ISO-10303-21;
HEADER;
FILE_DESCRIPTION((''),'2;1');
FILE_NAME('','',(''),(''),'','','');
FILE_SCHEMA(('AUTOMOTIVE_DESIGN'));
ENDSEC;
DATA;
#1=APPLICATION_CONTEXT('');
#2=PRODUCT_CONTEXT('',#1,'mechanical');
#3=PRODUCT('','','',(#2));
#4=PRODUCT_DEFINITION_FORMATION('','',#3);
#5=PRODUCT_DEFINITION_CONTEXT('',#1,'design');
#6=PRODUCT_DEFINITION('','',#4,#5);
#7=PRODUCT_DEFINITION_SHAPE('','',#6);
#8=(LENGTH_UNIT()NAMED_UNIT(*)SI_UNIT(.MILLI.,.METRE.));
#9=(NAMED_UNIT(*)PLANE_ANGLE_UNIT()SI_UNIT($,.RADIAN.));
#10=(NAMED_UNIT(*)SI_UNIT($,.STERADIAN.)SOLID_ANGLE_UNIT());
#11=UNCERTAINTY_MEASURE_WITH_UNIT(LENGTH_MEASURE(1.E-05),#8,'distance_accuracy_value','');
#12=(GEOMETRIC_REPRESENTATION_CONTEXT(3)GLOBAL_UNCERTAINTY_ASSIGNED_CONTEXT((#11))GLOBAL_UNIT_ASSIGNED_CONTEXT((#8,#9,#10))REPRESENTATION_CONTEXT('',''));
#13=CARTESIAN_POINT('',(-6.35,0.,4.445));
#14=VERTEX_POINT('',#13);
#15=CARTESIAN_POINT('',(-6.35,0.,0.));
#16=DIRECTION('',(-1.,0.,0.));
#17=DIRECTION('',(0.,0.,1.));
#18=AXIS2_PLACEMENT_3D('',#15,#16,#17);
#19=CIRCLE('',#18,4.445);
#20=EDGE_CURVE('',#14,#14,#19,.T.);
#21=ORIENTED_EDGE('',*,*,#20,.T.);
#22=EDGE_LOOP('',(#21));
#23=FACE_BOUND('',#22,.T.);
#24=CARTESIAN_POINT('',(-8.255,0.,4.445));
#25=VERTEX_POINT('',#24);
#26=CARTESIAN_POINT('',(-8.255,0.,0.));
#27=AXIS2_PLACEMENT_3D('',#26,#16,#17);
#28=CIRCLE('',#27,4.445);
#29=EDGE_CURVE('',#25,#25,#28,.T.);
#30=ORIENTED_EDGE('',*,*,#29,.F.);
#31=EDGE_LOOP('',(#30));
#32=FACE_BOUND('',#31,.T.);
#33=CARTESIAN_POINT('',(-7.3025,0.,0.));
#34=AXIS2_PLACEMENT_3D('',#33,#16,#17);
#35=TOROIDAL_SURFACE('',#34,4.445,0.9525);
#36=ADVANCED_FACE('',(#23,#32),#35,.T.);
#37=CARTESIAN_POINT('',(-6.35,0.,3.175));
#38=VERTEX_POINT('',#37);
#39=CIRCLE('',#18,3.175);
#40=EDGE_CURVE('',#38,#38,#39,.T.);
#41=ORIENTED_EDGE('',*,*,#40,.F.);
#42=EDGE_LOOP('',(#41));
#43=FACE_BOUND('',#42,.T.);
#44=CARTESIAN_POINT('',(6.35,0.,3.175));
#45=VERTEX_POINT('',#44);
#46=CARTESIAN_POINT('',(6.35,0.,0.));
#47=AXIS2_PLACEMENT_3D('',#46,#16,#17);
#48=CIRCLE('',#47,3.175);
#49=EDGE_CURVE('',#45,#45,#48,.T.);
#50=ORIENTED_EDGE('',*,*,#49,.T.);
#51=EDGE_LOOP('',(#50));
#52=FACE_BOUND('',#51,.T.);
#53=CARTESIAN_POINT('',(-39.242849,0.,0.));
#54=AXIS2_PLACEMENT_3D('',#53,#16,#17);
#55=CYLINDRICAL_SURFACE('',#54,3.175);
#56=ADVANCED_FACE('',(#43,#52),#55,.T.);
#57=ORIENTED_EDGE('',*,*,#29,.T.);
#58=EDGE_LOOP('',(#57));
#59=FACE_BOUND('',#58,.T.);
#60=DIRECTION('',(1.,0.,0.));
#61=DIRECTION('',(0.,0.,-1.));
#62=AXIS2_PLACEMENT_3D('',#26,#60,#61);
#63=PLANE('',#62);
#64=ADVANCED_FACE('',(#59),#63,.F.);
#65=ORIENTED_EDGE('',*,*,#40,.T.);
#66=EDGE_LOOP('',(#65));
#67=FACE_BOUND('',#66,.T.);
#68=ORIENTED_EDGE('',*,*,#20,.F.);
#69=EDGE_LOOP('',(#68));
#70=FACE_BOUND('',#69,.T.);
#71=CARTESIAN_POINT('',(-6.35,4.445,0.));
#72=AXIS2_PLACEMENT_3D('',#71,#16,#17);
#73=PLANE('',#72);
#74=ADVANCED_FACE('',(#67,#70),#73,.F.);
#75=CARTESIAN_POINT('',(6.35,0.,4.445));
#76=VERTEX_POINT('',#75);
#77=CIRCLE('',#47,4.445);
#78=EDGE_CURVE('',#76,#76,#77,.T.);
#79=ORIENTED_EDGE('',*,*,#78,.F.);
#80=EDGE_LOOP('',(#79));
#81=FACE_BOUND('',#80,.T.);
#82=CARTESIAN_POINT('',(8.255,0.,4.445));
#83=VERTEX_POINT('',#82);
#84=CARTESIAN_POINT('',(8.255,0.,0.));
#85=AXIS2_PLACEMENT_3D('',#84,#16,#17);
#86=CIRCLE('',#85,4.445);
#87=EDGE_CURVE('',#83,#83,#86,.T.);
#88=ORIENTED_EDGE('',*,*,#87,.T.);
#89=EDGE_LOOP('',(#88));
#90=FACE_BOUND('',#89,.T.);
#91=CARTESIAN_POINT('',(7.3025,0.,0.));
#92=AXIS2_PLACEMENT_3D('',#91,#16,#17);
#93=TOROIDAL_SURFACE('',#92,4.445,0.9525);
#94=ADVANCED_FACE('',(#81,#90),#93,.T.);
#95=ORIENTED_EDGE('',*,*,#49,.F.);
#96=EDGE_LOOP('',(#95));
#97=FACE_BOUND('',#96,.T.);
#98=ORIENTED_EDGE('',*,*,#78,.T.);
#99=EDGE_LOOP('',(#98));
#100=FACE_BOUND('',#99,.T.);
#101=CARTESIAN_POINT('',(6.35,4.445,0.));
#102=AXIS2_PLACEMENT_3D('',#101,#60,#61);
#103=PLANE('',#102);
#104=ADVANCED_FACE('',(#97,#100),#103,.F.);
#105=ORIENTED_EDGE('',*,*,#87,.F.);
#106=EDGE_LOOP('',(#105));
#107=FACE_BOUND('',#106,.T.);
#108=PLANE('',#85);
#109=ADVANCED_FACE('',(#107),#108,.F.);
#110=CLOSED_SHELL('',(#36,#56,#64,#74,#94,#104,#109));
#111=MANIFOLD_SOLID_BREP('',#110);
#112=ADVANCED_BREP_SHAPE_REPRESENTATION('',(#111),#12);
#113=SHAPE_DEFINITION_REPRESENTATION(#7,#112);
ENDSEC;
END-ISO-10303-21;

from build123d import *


with BuildPart() as part:
    # Sketch1 → Base-Revolve (revolve)
    with BuildSketch(Plane.XY):
        with BuildLine():
            Line((-8.255, 0), (-8.255, 4.445))
            ThreePointArc((-8.255, 4.445), (-7.3025, 5.3975), (-6.35, 4.445))
            Line((-6.35, 4.445), (-6.35, 3.175))
            Line((-6.35, 3.175), (6.35, 3.175))
            Line((6.35, 3.175), (6.35, 4.445))
            ThreePointArc((6.35, 4.445), (7.3025, 5.3975), (8.255, 4.445))
            Line((8.255, 4.445), (8.255, 0))
            Line((8.255, 0), (-8.255, 0))
        make_face()
    revolve(axis=Axis((-39.242848629, 0, 0), (1, 0, 0)))


solid = part.part
